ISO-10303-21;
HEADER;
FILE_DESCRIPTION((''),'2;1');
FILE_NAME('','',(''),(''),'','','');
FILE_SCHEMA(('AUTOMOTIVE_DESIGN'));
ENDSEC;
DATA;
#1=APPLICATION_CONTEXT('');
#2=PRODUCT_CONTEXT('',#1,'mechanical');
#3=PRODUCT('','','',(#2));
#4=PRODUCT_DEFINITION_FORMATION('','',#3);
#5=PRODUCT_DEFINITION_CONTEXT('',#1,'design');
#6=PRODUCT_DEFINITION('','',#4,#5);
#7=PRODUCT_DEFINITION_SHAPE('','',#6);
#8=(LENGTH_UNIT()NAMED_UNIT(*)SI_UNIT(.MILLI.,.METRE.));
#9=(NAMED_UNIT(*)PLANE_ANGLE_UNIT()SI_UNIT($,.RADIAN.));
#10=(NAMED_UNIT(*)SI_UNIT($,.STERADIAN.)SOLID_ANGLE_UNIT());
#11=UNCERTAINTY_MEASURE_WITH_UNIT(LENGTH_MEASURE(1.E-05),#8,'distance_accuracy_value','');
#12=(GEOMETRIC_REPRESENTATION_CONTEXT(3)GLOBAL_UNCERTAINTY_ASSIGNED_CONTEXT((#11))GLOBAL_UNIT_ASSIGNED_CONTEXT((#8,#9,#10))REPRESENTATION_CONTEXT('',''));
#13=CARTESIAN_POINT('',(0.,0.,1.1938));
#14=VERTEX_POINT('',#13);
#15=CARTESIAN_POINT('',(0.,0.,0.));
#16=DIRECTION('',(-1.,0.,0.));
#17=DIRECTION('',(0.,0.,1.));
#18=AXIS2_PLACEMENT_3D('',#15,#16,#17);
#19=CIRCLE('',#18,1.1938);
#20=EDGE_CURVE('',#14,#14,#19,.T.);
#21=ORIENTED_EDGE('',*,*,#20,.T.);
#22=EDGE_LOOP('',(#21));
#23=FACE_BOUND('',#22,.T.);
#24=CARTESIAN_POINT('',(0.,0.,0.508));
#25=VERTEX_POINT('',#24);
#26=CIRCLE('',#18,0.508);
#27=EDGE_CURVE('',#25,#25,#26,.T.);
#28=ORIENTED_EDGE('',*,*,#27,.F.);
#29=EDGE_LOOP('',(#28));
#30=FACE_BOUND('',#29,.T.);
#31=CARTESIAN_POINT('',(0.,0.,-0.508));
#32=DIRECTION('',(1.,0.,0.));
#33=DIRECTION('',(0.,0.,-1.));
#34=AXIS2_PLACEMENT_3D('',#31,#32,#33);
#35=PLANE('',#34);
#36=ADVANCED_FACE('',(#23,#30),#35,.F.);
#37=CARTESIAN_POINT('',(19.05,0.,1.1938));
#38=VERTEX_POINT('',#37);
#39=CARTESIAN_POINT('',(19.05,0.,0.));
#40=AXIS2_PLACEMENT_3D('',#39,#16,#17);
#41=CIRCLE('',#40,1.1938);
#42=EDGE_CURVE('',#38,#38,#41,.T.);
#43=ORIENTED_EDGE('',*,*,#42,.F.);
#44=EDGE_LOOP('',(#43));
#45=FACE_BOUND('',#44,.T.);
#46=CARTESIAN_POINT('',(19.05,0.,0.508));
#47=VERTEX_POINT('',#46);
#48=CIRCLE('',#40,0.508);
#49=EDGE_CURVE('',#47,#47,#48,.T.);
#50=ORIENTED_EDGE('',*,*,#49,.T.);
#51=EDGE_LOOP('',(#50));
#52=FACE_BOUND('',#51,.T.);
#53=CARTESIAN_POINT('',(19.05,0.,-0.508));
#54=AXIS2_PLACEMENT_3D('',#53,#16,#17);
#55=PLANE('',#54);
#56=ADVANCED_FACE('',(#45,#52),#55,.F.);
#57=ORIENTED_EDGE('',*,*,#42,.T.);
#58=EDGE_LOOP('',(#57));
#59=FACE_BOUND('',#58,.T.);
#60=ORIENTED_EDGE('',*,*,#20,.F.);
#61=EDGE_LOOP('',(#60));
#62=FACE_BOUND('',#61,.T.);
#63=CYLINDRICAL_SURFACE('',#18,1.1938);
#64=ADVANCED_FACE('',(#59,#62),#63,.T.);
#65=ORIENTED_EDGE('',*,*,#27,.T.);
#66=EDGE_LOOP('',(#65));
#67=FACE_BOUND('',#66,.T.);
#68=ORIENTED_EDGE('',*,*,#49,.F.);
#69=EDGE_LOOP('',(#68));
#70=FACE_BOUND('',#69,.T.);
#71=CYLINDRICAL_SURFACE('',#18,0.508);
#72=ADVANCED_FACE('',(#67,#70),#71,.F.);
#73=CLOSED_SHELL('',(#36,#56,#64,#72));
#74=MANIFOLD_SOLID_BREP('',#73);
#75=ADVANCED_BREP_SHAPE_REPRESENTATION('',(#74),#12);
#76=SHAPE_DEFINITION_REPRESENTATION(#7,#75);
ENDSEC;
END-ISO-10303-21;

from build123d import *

# Parameters (mm, degrees)
SKETCH1_W = 19.05
SKETCH1_H = 0.6858


with BuildPart() as part:
    # Sketch1 → Revolve1 (revolve)
    with BuildSketch(Plane(origin=(0, 0, 0), x_dir=(1, 0, 0), z_dir=(0, 1, 0))):
        with Locations((9.525, 0.8509)):
            Rectangle(SKETCH1_W, SKETCH1_H)
    revolve(axis=Axis((0, 0, 0), (1, 0, 0)))


solid = part.part
